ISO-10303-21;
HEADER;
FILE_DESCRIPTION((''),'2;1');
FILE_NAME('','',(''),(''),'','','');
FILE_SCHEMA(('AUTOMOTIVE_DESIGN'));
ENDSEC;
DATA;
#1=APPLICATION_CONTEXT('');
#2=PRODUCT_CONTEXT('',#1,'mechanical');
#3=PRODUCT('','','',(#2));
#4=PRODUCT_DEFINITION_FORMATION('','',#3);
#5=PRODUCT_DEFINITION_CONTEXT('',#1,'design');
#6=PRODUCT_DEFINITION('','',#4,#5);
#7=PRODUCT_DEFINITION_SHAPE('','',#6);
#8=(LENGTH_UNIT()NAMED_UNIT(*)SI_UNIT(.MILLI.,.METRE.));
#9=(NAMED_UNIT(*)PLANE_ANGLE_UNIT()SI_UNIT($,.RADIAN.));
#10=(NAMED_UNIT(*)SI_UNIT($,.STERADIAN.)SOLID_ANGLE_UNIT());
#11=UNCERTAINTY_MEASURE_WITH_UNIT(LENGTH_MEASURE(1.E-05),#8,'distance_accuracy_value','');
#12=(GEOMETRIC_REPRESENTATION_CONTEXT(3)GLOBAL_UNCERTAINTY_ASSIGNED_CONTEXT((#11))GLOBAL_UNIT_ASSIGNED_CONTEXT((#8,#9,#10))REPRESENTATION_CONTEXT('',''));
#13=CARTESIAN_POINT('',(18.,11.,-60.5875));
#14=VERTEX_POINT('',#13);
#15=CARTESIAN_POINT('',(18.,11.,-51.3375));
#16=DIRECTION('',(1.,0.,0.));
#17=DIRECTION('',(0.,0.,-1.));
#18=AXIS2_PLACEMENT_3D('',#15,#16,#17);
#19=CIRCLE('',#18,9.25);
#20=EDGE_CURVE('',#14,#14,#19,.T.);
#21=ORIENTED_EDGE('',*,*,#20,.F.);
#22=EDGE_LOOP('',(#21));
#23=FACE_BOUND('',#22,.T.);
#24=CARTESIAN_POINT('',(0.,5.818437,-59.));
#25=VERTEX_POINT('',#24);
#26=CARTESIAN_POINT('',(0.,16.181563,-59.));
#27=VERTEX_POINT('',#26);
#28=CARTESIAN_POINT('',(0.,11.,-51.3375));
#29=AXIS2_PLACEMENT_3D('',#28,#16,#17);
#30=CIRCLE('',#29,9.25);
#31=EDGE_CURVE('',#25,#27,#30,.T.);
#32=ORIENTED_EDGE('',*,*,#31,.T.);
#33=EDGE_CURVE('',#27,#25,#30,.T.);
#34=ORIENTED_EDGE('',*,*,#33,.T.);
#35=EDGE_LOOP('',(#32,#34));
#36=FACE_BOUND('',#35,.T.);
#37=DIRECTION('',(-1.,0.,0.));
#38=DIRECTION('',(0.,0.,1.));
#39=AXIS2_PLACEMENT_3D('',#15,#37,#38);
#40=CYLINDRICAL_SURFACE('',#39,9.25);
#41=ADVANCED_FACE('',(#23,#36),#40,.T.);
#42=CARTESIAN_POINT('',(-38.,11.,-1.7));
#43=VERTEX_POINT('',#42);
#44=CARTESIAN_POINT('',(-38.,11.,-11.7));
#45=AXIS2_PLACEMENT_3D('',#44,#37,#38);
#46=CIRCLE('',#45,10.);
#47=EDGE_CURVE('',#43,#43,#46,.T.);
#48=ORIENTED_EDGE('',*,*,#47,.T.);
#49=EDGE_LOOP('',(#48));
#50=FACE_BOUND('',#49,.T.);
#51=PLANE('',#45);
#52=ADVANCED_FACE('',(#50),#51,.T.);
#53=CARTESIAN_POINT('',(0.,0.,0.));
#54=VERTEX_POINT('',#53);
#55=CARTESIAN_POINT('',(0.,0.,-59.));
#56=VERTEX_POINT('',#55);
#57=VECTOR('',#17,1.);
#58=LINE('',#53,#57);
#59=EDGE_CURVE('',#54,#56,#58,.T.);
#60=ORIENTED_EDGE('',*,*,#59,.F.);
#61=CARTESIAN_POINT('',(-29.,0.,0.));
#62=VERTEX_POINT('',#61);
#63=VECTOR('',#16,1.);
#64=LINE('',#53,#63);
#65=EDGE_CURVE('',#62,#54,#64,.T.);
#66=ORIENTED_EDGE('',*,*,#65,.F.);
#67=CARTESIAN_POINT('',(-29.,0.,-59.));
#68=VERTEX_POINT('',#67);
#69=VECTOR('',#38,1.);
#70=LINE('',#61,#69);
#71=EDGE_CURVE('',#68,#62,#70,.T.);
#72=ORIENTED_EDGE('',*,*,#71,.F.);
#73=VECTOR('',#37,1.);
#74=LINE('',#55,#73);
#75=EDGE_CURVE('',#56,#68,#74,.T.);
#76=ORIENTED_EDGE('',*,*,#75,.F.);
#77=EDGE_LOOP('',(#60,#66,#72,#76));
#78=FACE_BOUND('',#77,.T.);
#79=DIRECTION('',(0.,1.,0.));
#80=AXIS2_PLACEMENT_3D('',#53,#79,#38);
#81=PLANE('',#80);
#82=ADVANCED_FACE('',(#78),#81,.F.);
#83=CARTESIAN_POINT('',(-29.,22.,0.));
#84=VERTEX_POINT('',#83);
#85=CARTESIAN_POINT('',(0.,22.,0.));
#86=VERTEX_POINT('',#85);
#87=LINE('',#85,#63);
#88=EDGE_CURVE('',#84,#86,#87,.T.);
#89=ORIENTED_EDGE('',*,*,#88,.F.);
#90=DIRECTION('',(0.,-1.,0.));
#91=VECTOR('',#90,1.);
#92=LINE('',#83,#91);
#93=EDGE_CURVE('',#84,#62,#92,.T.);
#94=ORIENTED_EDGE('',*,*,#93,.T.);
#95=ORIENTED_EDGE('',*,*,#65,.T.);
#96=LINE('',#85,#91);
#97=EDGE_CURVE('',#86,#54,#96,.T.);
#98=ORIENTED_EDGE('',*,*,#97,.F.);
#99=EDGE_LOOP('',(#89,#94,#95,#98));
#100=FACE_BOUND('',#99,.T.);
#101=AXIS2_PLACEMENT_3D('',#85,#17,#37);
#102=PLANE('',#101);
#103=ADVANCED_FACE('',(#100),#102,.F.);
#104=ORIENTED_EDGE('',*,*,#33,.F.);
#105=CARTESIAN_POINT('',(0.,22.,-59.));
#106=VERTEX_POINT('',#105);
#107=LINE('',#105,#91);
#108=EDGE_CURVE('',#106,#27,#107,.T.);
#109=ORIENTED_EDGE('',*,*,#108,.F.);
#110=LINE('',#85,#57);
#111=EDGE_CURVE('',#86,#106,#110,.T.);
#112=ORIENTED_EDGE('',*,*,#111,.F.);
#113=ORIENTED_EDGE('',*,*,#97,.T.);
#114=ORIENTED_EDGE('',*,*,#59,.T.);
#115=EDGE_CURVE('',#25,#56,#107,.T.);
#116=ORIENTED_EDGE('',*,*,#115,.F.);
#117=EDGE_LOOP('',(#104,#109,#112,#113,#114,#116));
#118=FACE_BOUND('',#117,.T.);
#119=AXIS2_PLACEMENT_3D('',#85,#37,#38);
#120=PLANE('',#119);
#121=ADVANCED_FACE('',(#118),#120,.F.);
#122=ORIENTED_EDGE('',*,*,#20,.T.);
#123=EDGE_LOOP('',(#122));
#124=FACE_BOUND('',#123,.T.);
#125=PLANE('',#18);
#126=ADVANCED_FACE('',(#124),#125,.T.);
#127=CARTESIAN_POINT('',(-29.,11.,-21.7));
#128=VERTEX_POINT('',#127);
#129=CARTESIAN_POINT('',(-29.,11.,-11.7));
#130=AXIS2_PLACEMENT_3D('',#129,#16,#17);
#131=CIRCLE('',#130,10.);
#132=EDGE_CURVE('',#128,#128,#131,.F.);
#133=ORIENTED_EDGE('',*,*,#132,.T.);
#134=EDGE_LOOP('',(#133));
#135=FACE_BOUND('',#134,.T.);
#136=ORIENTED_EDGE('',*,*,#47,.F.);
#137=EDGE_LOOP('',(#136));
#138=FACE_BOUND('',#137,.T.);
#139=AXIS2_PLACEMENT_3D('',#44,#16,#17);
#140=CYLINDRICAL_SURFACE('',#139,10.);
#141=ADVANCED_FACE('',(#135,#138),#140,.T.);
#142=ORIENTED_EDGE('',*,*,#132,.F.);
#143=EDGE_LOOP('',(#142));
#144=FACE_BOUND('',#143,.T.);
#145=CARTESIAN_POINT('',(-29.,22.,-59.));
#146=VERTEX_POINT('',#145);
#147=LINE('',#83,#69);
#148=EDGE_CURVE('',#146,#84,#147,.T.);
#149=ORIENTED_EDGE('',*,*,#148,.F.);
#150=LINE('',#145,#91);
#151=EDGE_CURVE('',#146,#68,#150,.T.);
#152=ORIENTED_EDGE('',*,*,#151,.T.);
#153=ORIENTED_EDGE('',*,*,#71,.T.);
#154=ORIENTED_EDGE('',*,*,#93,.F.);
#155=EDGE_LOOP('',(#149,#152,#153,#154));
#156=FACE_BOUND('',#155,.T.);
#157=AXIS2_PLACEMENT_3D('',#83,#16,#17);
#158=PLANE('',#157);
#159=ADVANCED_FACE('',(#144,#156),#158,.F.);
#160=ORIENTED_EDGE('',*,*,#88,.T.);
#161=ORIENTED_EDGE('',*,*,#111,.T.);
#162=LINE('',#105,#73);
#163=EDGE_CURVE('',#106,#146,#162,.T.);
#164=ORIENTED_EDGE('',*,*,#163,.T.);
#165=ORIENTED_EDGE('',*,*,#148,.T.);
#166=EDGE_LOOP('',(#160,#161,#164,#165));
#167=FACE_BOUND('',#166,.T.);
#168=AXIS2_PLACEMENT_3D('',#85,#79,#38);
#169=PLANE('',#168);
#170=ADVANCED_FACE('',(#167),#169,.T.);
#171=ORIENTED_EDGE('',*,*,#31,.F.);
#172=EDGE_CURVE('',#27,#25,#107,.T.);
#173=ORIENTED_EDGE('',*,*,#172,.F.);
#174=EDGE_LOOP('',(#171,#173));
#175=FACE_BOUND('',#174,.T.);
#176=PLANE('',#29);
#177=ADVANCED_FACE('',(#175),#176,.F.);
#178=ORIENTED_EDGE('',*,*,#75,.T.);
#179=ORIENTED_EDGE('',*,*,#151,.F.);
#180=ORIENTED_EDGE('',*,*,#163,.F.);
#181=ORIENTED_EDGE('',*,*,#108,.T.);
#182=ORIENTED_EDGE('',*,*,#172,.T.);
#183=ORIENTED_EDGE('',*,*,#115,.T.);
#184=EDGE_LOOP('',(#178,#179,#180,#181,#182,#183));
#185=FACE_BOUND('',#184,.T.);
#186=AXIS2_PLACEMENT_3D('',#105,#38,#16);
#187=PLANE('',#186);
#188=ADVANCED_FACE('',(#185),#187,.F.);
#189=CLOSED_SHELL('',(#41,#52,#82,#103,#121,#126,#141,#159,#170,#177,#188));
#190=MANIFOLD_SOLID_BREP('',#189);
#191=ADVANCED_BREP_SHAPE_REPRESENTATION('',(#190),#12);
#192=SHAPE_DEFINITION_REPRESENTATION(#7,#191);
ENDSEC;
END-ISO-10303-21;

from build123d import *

# Parameters (mm, degrees)
SKETCH1_W           = 29
SKETCH1_H           = 59
BOSS_EXTRUDE1_DEPTH = 22
SKETCH4_R           = 9.25
BOSS_EXTRUDE4_DEPTH = 18
SKETCH5_R           = 10
BOSS_EXTRUDE5_DEPTH = 9


with BuildPart() as part:
    # Sketch1 → Boss-Extrude1 (new body)
    with BuildSketch(Plane(origin=(0, 0, 0), x_dir=(1, 0, 0), z_dir=(0, 1, 0))):
        with Locations((-14.5, 29.5)):
            Rectangle(SKETCH1_W, SKETCH1_H)
    extrude(amount=BOSS_EXTRUDE1_DEPTH)

    # Sketch4 → Boss-Extrude4 (add)
    with BuildSketch(Plane(origin=(0, 0, 0), x_dir=(0, 0, -1), z_dir=(1, 0, 0))):
        with Locations((51.3375, 11)):
            Circle(SKETCH4_R)
    extrude(amount=BOSS_EXTRUDE4_DEPTH)

    # Sketch5 → Boss-Extrude5 (add)
    with BuildSketch(Plane.ZY.offset(29)):
        with Locations((-11.7, 11)):
            Circle(SKETCH5_R)
    extrude(amount=BOSS_EXTRUDE5_DEPTH)


solid = part.part
